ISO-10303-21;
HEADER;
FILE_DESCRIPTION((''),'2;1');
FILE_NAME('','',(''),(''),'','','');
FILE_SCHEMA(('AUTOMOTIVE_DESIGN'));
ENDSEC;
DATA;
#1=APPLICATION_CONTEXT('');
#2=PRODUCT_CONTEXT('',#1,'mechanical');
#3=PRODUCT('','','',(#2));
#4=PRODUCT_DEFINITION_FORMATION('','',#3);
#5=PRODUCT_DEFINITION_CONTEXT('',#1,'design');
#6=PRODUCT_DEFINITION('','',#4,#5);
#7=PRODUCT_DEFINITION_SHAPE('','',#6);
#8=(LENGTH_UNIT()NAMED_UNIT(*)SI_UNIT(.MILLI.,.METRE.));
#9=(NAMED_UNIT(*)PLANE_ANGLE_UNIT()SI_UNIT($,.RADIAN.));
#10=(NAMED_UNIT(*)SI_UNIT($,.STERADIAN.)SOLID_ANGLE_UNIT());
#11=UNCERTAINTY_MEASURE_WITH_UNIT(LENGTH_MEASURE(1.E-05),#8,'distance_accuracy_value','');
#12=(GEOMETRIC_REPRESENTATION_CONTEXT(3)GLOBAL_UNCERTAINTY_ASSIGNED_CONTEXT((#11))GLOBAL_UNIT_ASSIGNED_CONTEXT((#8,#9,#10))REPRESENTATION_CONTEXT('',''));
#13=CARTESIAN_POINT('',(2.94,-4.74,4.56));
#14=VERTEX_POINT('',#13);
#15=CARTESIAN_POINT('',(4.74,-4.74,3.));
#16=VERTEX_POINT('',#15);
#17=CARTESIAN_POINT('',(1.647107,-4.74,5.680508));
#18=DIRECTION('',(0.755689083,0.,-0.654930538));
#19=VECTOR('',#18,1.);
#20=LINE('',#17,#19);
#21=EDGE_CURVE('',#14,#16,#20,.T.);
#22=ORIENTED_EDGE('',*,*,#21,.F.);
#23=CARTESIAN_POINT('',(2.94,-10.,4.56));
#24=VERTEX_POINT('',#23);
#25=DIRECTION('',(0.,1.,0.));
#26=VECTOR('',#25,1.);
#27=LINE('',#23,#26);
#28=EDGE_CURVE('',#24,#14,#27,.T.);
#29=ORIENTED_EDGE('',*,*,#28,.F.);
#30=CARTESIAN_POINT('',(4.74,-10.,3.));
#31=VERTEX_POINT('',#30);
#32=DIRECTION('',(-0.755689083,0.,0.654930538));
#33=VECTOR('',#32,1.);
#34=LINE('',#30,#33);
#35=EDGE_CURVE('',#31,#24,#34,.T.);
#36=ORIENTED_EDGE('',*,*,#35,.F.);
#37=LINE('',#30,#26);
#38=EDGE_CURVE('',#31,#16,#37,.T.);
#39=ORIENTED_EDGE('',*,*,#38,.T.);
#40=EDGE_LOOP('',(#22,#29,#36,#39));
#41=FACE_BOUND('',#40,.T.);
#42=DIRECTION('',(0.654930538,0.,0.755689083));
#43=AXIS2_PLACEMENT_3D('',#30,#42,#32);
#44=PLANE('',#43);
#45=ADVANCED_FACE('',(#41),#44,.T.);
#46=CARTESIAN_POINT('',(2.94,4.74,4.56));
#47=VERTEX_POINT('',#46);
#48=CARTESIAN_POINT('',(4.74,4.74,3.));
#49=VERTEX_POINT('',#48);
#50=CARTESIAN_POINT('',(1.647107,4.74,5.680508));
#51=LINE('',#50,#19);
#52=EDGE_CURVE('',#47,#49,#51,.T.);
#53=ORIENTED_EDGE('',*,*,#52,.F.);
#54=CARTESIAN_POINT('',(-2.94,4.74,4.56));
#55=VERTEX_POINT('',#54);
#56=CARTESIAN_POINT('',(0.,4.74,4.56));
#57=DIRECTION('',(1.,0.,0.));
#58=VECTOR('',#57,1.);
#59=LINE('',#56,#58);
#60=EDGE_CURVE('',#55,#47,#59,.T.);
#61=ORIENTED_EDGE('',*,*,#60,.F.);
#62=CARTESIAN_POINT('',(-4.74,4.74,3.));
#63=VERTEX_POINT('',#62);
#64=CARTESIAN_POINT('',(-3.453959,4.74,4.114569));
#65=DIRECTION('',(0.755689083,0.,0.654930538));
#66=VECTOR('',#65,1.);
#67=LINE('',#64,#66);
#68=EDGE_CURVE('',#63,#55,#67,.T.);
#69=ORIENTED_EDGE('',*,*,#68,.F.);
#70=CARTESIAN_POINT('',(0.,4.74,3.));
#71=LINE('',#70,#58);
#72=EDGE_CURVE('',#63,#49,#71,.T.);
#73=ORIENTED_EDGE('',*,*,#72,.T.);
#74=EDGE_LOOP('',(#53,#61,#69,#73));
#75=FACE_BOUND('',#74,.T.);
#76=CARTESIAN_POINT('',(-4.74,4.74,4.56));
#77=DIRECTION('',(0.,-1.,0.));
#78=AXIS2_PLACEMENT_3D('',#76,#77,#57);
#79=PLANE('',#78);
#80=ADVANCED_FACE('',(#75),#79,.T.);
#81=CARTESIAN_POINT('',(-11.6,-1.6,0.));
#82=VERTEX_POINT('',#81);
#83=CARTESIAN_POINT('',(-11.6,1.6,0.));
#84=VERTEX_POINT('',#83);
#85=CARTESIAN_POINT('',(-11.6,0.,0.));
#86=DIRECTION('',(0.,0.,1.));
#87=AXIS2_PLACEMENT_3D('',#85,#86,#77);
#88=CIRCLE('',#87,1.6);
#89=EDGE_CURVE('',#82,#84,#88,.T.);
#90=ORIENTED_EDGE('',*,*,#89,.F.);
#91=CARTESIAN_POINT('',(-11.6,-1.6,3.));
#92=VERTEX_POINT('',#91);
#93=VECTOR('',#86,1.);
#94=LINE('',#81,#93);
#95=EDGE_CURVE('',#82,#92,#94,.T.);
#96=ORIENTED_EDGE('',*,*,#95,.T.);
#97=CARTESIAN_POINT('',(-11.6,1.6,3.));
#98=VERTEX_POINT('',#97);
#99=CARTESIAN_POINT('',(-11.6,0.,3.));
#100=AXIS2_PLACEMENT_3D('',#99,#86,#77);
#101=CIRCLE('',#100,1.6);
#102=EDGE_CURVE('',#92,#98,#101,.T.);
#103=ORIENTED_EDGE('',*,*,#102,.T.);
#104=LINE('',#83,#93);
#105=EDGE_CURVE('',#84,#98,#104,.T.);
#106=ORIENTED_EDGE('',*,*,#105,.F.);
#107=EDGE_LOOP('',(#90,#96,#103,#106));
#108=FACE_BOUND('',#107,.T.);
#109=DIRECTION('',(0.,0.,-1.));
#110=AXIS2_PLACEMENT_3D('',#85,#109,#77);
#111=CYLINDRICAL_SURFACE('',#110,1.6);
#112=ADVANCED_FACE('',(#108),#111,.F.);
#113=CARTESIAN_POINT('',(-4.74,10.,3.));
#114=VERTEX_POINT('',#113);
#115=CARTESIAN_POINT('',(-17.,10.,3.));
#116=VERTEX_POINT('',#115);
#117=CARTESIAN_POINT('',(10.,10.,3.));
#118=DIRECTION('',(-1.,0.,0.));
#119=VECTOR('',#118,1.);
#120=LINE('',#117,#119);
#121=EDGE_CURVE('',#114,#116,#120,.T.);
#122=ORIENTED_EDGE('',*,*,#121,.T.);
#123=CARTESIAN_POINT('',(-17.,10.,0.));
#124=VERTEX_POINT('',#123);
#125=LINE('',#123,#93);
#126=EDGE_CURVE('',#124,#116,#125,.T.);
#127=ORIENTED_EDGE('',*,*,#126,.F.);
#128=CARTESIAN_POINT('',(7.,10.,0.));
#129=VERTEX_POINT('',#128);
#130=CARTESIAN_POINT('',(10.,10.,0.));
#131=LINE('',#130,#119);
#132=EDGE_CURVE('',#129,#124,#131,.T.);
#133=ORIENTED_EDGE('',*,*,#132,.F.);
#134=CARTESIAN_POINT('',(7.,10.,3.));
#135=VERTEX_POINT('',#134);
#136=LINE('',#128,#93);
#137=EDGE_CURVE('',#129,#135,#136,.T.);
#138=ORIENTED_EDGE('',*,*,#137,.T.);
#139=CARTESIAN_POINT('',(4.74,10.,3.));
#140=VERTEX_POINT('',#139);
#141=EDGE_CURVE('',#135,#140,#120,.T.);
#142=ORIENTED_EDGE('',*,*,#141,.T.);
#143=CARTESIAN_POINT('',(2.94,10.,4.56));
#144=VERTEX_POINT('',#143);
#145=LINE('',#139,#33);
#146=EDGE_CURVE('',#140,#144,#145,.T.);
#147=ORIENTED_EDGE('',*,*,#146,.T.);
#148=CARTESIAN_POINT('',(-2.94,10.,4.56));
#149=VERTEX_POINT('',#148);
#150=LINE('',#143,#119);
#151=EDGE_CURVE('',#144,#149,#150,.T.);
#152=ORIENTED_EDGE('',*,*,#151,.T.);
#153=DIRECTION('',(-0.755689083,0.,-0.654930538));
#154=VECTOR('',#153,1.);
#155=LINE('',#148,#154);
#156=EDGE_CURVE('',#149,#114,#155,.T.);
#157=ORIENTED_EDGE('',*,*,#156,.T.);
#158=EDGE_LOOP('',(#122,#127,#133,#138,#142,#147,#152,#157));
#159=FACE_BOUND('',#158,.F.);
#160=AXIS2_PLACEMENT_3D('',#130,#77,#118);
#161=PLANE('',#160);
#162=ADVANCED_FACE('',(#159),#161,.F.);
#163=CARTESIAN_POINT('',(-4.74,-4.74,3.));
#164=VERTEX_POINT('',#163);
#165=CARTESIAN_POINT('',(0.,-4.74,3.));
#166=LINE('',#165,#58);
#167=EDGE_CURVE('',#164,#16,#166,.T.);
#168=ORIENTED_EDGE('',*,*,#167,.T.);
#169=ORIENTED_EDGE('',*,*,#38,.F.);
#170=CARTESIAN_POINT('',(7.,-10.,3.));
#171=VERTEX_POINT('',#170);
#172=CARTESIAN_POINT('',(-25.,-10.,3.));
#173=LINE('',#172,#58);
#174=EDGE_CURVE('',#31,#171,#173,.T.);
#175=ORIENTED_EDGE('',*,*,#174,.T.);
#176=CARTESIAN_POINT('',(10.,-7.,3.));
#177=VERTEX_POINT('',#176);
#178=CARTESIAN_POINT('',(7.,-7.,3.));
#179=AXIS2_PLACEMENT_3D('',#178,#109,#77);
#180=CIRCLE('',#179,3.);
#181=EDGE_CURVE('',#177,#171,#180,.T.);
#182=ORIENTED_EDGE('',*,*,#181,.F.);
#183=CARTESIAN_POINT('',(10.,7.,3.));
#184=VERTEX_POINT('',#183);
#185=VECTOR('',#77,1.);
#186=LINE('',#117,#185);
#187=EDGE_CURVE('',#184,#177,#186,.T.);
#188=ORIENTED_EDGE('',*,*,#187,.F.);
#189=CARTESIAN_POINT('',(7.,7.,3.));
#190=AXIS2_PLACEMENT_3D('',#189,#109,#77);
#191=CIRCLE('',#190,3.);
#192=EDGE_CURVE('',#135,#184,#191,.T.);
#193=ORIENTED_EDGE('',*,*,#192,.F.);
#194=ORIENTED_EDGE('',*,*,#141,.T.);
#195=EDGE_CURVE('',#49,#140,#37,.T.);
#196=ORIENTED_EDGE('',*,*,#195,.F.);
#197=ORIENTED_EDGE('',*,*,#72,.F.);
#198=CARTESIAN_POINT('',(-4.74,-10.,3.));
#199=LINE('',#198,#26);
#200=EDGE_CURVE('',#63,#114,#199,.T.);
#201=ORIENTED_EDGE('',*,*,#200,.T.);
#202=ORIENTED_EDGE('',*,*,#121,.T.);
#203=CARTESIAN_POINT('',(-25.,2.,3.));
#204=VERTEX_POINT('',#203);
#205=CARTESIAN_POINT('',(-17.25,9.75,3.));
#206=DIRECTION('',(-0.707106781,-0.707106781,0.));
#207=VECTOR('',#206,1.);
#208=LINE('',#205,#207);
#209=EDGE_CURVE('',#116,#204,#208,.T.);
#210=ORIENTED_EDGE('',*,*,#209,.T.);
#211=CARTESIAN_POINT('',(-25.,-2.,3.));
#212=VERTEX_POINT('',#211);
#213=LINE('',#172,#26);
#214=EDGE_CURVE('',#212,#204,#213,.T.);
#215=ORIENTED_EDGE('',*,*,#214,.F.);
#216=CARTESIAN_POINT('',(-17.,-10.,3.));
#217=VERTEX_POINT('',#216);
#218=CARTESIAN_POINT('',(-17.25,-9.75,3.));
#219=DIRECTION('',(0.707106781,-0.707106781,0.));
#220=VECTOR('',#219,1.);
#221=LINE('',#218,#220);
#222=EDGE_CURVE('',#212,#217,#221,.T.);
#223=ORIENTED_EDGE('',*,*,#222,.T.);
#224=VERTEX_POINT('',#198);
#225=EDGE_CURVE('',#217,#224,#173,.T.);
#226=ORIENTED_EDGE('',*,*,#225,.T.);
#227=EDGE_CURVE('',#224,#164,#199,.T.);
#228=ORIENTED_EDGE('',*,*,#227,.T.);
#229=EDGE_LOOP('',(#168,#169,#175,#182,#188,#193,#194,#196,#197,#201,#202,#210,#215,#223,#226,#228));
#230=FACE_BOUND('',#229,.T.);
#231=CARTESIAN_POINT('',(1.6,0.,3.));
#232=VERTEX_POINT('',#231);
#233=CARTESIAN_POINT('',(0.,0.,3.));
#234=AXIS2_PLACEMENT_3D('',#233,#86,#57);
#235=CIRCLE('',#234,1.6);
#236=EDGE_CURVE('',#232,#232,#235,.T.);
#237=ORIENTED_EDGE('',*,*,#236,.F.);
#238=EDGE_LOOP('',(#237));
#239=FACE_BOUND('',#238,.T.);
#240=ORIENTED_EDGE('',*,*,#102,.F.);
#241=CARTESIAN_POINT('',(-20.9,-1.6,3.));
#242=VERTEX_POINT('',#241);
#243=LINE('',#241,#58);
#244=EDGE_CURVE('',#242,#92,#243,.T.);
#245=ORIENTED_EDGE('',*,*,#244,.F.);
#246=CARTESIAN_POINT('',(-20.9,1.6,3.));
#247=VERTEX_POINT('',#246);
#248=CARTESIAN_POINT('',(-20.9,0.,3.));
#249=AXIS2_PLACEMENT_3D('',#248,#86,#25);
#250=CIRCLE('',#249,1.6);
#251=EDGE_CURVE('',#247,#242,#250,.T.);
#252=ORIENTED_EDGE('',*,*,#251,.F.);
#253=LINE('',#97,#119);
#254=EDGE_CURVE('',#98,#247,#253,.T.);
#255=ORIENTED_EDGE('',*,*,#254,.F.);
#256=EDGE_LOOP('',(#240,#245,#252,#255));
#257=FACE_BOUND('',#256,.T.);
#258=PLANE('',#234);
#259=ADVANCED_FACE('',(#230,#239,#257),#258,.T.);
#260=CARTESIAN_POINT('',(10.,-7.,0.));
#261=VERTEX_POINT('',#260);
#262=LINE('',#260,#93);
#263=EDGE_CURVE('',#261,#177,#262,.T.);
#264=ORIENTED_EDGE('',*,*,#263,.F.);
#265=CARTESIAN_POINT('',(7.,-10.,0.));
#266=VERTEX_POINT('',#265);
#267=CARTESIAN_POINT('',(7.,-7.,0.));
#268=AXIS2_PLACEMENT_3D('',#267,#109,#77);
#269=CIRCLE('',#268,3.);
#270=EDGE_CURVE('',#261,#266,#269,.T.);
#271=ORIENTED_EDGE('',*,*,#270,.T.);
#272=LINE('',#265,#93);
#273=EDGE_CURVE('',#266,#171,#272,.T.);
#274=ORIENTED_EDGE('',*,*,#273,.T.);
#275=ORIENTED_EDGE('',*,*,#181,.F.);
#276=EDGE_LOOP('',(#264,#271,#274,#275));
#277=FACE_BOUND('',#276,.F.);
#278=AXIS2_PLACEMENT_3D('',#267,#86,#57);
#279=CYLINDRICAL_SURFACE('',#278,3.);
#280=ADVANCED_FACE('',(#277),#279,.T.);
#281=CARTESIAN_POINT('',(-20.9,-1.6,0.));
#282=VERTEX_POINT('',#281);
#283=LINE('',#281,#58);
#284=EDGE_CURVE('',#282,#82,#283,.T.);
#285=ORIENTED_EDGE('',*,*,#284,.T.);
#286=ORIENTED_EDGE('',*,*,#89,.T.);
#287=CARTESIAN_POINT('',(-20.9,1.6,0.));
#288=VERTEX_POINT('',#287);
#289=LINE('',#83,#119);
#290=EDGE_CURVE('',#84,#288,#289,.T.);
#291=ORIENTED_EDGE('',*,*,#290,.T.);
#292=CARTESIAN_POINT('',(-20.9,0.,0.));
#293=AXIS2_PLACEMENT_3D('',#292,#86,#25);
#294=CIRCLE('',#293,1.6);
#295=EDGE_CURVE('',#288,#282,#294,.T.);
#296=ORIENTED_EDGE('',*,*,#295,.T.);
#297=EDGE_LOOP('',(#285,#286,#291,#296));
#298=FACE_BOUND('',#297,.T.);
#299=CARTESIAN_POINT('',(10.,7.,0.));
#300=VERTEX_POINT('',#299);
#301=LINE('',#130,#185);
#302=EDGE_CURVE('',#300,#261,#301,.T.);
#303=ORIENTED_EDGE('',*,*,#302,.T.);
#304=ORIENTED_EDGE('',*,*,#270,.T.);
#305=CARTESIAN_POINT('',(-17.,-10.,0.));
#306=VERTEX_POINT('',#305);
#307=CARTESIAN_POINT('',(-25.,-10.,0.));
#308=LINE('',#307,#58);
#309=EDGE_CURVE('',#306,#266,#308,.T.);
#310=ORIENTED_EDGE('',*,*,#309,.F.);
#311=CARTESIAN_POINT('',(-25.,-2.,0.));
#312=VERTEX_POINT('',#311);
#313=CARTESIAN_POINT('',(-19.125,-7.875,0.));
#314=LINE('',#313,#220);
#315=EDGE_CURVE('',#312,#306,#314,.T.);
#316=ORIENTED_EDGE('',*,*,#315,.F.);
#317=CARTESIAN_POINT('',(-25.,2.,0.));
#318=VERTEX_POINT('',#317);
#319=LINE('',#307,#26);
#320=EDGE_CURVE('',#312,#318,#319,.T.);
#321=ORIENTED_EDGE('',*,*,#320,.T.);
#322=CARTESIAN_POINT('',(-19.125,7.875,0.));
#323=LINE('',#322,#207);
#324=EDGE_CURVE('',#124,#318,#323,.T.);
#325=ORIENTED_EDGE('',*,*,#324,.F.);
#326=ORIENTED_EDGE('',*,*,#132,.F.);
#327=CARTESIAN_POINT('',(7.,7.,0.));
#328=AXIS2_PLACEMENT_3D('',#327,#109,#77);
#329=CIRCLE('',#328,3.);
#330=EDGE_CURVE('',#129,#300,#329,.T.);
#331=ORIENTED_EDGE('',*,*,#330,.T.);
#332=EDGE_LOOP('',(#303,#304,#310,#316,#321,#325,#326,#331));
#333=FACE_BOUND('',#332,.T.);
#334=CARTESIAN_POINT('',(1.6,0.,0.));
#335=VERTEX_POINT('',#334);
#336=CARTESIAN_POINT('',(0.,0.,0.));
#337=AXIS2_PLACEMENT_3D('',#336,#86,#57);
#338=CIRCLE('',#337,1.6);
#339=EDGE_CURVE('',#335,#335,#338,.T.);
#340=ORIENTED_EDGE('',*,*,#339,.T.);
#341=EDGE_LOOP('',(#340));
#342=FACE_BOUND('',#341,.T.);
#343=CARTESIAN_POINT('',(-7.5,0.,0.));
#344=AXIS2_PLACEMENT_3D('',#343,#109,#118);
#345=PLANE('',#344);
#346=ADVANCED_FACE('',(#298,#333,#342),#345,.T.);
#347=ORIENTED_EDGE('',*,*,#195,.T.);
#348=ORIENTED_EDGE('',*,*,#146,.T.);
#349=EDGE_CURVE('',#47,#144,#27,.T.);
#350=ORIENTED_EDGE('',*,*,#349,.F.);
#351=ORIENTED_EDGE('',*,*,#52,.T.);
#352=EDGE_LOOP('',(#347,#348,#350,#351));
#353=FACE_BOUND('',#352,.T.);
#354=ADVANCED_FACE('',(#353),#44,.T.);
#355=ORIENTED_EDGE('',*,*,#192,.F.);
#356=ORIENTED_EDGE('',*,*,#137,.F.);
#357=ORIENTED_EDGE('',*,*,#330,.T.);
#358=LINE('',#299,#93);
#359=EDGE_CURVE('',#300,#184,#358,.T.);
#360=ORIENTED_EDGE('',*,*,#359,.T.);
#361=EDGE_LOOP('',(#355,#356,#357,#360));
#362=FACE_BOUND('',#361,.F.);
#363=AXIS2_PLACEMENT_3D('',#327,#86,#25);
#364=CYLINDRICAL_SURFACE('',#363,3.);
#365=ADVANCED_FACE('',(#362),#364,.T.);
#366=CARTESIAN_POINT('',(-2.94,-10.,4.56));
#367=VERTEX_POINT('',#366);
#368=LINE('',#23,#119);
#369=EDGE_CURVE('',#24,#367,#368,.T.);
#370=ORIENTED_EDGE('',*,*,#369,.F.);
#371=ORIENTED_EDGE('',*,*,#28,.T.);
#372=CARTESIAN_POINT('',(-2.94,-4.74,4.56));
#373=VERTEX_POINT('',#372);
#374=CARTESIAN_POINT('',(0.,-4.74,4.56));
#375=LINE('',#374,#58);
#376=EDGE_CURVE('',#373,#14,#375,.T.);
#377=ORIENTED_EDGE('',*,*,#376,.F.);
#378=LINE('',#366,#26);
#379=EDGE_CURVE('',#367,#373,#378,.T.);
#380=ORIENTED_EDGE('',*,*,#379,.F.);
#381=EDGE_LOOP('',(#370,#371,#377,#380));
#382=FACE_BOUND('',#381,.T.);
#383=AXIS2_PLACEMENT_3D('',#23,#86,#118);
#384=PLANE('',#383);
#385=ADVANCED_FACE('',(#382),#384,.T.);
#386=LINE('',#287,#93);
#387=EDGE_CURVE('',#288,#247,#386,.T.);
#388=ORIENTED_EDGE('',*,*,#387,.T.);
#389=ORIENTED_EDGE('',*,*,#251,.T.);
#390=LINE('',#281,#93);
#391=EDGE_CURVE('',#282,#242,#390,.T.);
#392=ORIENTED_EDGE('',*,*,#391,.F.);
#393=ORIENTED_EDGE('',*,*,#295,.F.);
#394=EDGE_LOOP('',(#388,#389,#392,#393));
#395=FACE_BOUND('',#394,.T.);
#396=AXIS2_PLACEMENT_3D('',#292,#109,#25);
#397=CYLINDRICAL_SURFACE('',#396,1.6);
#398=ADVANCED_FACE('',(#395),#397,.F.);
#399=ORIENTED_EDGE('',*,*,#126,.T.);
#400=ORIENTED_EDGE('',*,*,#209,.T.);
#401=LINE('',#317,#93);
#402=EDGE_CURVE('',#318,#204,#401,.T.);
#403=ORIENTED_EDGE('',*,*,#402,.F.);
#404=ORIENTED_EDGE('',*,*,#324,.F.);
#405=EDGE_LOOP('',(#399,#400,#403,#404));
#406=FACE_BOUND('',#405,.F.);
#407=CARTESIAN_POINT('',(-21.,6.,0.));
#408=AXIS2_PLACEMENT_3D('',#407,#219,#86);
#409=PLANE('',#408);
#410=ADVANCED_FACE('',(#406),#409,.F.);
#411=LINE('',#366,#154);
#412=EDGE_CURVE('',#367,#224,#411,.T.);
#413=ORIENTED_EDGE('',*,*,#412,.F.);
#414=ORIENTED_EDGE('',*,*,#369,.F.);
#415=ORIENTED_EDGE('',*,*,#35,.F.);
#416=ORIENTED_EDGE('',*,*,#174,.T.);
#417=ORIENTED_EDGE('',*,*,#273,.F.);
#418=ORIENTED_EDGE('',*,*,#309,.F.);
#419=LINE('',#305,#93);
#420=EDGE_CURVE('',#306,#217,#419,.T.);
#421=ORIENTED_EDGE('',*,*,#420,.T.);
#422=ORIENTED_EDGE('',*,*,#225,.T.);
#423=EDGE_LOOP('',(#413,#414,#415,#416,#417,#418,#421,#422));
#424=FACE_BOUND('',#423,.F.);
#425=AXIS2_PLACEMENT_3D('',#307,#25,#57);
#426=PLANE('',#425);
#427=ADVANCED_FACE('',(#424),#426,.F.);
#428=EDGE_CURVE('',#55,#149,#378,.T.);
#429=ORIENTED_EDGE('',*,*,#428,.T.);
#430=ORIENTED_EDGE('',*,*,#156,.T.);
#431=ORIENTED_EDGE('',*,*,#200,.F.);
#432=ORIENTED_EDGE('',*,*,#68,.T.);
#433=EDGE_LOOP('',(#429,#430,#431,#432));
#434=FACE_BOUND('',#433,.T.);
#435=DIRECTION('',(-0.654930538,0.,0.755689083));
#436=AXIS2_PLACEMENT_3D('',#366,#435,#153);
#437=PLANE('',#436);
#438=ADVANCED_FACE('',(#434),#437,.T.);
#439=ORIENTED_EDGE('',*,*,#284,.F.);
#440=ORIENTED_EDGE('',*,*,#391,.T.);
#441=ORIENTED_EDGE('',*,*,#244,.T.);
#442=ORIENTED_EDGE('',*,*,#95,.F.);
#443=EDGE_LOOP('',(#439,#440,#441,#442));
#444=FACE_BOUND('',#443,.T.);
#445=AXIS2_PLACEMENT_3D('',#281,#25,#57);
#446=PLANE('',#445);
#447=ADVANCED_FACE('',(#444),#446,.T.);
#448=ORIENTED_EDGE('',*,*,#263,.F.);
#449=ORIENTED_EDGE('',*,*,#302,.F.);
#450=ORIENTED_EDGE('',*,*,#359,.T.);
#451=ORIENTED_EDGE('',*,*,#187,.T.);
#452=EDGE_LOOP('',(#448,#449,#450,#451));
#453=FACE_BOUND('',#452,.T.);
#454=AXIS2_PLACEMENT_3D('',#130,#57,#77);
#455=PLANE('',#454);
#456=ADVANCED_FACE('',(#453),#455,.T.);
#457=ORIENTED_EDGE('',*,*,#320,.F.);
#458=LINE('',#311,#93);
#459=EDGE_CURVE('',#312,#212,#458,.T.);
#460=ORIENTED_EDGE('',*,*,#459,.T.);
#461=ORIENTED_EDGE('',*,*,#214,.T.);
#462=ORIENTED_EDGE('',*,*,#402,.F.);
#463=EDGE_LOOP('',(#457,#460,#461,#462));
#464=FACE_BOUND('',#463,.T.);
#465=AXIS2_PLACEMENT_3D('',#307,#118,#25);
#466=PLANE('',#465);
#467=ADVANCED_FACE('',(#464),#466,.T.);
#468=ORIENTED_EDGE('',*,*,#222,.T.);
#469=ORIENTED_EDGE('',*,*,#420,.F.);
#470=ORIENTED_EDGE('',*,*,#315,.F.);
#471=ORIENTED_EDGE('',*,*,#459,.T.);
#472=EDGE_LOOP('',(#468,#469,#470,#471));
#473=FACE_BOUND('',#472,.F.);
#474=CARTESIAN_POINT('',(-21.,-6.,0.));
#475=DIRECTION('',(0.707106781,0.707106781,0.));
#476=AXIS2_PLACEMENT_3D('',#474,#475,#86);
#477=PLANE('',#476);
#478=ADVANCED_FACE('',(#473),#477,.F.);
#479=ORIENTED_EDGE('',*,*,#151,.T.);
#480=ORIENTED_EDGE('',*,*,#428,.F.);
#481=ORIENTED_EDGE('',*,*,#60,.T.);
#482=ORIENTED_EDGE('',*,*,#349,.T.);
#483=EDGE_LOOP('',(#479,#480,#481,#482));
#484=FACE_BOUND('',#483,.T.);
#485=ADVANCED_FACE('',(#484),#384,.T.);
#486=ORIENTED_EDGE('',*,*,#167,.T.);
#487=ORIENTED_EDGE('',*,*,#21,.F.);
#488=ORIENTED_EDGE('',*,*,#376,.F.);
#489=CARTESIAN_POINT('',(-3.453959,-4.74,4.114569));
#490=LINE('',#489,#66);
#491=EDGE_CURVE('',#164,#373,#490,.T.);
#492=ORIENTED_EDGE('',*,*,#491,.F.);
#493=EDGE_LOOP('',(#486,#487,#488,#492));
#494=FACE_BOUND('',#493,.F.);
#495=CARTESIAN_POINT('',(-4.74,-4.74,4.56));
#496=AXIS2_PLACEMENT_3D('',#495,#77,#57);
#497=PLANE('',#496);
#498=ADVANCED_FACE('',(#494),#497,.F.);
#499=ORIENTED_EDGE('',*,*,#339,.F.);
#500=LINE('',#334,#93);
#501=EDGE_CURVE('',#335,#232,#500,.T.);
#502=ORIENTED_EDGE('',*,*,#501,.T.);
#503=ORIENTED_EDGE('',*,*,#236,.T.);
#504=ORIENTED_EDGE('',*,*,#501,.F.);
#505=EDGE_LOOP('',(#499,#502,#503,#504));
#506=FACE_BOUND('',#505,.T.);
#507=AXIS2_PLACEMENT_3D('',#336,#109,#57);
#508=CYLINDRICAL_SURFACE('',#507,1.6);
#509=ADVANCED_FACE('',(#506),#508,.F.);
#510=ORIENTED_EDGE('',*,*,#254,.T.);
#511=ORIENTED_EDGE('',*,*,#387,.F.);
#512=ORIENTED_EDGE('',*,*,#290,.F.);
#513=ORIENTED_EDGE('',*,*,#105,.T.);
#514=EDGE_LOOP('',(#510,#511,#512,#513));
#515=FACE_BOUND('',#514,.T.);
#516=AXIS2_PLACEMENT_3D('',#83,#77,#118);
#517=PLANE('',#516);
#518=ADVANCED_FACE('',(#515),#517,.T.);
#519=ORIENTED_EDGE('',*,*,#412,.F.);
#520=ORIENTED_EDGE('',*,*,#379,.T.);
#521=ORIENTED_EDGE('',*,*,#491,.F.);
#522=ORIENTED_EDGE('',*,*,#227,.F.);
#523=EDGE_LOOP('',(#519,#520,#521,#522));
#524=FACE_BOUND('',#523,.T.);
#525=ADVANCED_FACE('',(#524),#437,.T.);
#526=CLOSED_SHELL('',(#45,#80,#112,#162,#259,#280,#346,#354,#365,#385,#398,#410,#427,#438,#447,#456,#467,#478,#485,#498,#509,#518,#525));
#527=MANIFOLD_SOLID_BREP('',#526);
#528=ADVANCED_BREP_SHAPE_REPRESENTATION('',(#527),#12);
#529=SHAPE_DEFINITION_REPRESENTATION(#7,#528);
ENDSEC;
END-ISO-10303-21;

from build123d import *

# Parameters (mm, degrees)
SKETCH_R     = 1.6
PAD_DEPTH    = 3
PAD001_DEPTH = 20
SKETCH002_W  = 9.48
SKETCH002_H  = 9.48
POCKET_DEPTH = 1.56
CHAMFER_SIZE = 8
FILLET_R     = 3


with BuildPart() as part:
    # Sketch → Pad (new body)
    with BuildSketch(Plane.XY):
        Polygon((-10, 10), (10, 10), (10, -10), (-10, -10), (-25, -10), (-25, 10), align=None)
        Circle(SKETCH_R, mode=Mode.SUBTRACT)
        with BuildLine():
            ThreePointArc((-20.9, 1.6), (-22.5, 0), (-20.9, -1.6))
            Line((-20.9, -1.6), (-11.6, -1.6))
            ThreePointArc((-11.6, -1.6), (-10, 0), (-11.6, 1.6))
            Line((-11.6, 1.6), (-20.9, 1.6))
        make_face(mode=Mode.SUBTRACT)
    extrude(amount=PAD_DEPTH)

    # Sketch001 (on Face3 of Pad) → Pad001 (join)
    with BuildSketch(Plane.XZ.offset(10)):
        Polygon((-4.74, 3), (4.74, 3), (2.94, 4.56), (-2.94, 4.56), align=None)
    extrude(amount=-PAD001_DEPTH)

    # Sketch002 (on Face18 of Pad001) → Pocket (cut)
    with BuildSketch(Plane.XY.offset(4.56)):
        Rectangle(SKETCH002_W, SKETCH002_H)
    extrude(amount=-POCKET_DEPTH, mode=Mode.SUBTRACT)

    # Chamfer
    chamfer_edges = [part.edges().sort_by_distance(p)[0] for p in [
        (-25, 10, 1.5),
        (-25, -10, 1.5),
    ]]
    chamfer(chamfer_edges, length=CHAMFER_SIZE)

    # Fillet
    fillet_edges = [part.edges().sort_by_distance(p)[0] for p in [
        (10, 10, 1.5),
        (10, -10, 1.5),
    ]]
    fillet(fillet_edges, radius=FILLET_R)


solid = part.part
